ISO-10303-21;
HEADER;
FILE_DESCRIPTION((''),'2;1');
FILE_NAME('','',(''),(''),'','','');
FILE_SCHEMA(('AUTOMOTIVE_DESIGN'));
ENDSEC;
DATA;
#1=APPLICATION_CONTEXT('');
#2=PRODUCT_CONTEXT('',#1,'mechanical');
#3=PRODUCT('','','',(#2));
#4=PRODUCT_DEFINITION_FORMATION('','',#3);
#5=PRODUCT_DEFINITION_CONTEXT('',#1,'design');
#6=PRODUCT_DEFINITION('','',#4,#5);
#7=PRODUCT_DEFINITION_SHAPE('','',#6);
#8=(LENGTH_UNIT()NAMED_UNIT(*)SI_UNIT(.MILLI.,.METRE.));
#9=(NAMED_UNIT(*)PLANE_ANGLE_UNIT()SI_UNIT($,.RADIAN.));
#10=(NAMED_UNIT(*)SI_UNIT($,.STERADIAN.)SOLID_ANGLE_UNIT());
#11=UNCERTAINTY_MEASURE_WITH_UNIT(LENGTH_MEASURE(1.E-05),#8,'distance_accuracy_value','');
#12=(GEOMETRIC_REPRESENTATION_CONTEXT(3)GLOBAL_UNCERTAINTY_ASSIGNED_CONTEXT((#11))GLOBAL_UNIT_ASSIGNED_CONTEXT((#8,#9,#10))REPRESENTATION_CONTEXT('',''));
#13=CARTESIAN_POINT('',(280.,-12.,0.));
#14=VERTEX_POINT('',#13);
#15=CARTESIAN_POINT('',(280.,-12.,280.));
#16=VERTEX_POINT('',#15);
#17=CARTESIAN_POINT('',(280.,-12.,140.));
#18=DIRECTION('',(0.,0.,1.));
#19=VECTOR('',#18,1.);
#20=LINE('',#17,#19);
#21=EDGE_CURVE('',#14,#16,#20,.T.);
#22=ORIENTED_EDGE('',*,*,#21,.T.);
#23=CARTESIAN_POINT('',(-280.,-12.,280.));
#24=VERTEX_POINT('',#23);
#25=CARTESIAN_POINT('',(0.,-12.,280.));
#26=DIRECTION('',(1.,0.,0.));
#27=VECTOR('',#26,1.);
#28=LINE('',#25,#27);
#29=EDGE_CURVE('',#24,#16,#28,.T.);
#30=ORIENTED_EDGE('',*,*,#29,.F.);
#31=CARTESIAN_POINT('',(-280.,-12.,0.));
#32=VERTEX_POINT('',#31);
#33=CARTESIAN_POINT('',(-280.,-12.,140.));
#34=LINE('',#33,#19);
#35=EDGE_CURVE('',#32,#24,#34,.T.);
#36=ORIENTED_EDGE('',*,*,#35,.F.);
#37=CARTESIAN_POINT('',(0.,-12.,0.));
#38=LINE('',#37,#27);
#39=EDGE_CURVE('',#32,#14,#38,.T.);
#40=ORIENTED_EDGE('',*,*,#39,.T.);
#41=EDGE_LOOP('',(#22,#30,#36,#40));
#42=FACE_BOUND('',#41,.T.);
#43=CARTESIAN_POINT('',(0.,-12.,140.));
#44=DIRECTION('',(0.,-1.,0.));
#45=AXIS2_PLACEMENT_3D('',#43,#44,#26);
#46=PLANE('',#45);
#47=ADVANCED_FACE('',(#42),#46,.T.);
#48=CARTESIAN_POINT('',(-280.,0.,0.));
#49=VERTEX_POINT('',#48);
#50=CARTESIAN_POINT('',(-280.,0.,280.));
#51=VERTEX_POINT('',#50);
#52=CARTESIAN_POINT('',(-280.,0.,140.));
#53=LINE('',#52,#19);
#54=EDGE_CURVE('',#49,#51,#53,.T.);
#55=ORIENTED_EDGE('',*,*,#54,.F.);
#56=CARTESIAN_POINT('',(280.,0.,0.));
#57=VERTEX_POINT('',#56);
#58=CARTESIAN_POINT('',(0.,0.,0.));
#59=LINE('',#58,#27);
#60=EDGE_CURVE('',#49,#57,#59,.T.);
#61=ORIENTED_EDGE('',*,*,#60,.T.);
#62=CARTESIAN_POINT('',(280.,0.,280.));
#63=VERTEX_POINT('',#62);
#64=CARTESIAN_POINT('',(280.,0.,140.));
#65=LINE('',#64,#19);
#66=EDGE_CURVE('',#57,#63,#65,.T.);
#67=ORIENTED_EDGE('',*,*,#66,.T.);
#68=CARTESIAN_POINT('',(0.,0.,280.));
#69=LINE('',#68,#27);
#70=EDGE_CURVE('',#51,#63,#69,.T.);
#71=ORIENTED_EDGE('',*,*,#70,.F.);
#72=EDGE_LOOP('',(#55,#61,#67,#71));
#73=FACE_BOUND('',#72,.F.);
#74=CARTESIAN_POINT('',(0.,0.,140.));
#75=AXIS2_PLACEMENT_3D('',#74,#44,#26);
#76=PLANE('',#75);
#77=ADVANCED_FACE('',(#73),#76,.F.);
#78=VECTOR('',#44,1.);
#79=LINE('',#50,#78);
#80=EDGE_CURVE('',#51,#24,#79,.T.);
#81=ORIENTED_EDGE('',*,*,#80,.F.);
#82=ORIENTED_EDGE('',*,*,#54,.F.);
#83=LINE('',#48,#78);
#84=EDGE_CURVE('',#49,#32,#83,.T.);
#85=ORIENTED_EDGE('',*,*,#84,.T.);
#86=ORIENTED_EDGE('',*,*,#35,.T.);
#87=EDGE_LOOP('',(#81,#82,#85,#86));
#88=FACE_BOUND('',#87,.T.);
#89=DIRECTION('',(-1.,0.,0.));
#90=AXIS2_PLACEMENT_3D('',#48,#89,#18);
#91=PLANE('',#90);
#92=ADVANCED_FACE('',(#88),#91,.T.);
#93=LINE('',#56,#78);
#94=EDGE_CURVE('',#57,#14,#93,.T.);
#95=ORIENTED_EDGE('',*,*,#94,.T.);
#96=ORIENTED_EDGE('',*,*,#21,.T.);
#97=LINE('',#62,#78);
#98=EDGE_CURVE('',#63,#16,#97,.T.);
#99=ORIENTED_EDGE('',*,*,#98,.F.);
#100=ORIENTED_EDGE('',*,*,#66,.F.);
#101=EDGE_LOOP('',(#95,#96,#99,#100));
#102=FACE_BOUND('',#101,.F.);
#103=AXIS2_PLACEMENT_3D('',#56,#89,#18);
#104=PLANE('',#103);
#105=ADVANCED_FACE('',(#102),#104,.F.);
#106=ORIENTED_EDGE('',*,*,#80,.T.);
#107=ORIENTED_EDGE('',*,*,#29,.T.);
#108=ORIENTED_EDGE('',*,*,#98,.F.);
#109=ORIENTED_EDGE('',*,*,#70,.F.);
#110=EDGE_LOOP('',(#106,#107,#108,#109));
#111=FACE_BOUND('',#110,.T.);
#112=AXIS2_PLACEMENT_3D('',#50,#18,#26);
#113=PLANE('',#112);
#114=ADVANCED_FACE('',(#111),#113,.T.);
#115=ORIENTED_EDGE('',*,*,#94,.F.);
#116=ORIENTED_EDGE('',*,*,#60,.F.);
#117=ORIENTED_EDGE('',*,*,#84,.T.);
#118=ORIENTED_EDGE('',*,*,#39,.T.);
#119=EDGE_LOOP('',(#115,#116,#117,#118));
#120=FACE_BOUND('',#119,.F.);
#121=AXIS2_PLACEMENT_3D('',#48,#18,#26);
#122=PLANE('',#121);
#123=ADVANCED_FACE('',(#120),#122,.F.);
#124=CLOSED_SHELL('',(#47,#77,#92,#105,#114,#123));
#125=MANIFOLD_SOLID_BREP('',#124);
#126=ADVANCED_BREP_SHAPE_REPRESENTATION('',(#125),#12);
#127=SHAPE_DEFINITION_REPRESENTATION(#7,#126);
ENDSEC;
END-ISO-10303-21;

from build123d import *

# Parameters (mm, degrees)
F0_W     = 560
F0_H     = 280
F1_DEPTH = 12
F2_DEPTH = 12


with BuildPart() as f1:
    # F0 (on Front) → F1 (new body)
    with BuildSketch(Plane.XZ):
        with Locations((0, 140)):
            Rectangle(F0_W, F0_H)
    extrude(amount=F1_DEPTH)

    # F0 (on Front) → F2 (join)
    with BuildSketch(Plane.XZ):
        with Locations((0, 140)):
            Rectangle(F0_W, F0_H)
    extrude(amount=F2_DEPTH)


solid = f1.part
